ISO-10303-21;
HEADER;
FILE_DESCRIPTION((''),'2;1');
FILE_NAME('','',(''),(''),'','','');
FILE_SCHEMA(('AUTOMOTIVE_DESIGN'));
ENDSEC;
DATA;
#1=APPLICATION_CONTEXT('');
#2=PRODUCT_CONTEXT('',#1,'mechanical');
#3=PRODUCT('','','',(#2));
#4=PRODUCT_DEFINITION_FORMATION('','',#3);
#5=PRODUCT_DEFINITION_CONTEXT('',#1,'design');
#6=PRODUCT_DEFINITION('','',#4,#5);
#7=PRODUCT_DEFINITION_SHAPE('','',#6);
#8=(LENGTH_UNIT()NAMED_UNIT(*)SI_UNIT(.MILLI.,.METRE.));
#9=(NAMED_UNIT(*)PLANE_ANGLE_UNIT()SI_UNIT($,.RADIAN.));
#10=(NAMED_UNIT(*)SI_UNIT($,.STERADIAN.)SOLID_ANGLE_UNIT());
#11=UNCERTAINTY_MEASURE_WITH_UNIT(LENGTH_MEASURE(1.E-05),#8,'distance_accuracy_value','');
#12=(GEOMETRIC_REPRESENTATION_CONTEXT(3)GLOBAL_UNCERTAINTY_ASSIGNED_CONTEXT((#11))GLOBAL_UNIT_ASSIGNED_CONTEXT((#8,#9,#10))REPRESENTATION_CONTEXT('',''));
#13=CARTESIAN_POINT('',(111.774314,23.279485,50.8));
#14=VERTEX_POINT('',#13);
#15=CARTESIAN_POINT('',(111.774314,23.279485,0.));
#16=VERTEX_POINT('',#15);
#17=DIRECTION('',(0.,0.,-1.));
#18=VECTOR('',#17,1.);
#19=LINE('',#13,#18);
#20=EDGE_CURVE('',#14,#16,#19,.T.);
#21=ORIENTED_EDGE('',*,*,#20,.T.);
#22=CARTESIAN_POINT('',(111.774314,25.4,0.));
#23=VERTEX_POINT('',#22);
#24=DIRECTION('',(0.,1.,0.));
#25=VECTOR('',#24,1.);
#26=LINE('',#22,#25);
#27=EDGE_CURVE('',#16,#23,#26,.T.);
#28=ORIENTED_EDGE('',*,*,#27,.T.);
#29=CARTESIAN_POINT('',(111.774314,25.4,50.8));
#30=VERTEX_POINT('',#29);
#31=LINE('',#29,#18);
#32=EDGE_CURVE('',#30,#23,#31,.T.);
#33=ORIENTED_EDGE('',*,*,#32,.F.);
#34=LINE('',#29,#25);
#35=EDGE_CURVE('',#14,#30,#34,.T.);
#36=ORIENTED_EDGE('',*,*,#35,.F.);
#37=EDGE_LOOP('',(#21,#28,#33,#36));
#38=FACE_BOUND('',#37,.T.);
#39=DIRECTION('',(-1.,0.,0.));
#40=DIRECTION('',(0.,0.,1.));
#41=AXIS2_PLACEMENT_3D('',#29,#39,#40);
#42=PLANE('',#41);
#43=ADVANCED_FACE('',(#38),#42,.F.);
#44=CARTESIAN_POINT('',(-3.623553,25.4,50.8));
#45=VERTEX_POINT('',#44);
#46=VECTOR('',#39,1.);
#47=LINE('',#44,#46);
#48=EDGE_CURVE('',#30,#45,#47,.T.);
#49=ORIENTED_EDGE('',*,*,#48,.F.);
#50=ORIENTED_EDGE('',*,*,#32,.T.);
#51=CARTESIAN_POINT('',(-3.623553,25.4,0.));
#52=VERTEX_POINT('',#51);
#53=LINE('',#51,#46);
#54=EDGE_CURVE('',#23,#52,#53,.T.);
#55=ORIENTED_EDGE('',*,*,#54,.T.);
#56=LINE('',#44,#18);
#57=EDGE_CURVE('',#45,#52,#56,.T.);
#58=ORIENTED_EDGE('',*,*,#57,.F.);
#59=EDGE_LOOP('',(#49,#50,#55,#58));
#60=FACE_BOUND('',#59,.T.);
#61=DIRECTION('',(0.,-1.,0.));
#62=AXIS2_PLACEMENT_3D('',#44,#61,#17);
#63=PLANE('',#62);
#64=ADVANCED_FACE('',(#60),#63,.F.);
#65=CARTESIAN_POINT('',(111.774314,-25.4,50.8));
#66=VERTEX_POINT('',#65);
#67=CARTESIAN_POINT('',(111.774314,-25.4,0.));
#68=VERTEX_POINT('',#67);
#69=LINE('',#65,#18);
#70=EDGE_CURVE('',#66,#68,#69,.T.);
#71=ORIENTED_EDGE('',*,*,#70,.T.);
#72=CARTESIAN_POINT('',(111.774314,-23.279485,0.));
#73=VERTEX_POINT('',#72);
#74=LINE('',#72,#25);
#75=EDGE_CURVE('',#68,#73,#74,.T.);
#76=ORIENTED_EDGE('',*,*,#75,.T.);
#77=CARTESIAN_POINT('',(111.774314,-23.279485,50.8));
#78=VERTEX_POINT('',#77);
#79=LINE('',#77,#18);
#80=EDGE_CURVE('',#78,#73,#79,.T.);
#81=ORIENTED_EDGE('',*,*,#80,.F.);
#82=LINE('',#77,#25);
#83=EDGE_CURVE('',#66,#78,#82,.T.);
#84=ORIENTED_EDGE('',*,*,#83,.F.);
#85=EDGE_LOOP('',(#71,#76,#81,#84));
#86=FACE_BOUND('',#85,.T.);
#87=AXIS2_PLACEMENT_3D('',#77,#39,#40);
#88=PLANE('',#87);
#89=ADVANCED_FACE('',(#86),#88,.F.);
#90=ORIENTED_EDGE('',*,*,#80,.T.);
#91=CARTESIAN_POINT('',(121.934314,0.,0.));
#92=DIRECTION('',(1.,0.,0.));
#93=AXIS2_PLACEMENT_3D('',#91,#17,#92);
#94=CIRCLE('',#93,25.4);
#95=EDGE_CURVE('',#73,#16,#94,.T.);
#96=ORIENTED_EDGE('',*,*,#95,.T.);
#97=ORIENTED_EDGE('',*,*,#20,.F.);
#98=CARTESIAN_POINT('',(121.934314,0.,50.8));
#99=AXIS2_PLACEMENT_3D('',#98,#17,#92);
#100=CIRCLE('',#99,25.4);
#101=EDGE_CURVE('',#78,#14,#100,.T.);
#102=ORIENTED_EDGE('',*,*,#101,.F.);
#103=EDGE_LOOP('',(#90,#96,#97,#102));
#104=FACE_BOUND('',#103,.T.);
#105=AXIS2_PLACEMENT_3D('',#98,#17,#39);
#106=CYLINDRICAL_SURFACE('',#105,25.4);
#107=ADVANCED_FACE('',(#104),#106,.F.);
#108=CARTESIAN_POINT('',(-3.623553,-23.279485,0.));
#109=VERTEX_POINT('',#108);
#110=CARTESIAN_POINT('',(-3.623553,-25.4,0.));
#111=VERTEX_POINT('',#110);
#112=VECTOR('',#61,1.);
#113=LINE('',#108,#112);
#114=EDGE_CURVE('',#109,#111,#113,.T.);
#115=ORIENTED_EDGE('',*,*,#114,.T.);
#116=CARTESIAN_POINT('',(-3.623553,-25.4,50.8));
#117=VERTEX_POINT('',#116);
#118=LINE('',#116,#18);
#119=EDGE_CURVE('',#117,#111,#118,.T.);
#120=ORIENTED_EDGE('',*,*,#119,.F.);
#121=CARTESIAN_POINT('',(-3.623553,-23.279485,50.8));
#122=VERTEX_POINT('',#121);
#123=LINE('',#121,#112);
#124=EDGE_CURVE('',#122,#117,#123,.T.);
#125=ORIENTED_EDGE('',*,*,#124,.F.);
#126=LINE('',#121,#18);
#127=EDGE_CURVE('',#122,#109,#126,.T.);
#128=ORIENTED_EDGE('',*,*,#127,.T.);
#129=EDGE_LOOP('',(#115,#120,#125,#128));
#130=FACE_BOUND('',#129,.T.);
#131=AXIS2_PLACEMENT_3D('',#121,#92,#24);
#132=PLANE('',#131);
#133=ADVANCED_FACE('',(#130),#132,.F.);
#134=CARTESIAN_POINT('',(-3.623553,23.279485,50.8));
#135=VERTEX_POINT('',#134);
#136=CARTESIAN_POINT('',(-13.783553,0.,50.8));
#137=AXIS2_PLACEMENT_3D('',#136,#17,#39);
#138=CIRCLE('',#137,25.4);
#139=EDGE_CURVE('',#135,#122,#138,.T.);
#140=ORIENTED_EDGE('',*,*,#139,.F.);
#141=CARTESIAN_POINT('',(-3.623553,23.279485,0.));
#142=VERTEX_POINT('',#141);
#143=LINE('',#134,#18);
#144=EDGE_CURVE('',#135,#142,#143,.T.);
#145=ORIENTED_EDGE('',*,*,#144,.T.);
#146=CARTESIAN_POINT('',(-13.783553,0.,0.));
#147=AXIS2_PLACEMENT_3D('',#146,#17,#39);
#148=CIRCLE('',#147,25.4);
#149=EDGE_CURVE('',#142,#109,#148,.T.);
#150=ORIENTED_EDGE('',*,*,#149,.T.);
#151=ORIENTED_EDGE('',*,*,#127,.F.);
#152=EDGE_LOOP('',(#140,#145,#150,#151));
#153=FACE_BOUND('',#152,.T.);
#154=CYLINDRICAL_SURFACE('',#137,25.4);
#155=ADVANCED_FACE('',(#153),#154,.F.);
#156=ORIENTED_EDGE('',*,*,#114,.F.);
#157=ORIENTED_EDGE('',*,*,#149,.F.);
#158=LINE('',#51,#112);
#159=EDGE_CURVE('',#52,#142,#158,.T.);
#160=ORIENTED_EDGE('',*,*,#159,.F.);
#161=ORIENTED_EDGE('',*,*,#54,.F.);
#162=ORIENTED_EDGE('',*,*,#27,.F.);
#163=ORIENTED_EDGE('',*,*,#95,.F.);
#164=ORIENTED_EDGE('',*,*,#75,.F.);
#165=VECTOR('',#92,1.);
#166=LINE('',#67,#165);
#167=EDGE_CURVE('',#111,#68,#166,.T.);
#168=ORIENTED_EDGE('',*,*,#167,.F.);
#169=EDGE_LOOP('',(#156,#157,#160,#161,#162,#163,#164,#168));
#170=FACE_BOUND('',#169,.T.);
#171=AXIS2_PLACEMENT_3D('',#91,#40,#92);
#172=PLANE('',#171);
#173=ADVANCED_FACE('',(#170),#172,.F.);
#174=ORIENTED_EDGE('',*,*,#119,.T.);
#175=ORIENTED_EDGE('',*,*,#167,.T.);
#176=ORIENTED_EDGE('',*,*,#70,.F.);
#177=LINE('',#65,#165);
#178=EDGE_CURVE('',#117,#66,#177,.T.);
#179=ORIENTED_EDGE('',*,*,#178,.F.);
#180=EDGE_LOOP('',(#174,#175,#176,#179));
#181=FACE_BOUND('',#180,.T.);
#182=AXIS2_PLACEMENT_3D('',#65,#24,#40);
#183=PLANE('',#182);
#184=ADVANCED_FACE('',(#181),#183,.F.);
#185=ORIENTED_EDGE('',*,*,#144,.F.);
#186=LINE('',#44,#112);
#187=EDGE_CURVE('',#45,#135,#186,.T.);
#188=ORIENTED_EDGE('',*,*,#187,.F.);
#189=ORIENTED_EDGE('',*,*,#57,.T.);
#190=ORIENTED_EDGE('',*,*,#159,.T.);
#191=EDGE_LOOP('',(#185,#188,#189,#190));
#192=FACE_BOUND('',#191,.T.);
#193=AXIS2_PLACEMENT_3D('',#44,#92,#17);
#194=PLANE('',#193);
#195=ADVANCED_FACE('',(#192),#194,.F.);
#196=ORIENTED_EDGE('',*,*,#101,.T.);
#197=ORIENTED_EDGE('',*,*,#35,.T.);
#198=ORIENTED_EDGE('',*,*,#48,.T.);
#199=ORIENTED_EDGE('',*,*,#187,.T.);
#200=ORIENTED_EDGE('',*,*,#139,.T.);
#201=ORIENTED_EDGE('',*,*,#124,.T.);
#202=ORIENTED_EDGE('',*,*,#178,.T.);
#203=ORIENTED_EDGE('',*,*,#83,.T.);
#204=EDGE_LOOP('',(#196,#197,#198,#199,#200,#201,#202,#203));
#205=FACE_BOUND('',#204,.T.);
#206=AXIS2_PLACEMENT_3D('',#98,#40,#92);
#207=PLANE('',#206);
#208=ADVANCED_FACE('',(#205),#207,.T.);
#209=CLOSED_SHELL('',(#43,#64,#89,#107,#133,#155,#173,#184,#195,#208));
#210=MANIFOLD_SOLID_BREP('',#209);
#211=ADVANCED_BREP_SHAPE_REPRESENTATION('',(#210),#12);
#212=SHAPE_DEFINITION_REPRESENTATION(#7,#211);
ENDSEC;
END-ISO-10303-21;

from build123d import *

# Parameters (mm, degrees)
BOSS_EXTRUDE2_DEPTH = 50.8


with BuildPart() as part:
    # Sketch4 → Boss-Extrude2 (new body)
    with BuildSketch(Plane.XY):
        with BuildLine():
            Line((-3.623552668, 25.4), (111.774314293, 25.4))
            Line((111.774314293, 25.4), (111.774314293, 23.27948453))
            ThreePointArc((111.774314293, 23.27948453), (96.534314293, 0), (111.774314293, -23.27948453))
            Line((111.774314293, -23.27948453), (111.774314293, -25.4))
            Line((111.774314293, -25.4), (-3.623552668, -25.4))
            Line((-3.623552668, -25.4), (-3.623552668, -23.27948453))
            ThreePointArc((-3.623552668, -23.27948453), (11.616447332, 0), (-3.623552668, 23.27948453))
            Line((-3.623552668, 23.27948453), (-3.623552668, 25.4))
        make_face()
    extrude(amount=BOSS_EXTRUDE2_DEPTH)


solid = part.part
